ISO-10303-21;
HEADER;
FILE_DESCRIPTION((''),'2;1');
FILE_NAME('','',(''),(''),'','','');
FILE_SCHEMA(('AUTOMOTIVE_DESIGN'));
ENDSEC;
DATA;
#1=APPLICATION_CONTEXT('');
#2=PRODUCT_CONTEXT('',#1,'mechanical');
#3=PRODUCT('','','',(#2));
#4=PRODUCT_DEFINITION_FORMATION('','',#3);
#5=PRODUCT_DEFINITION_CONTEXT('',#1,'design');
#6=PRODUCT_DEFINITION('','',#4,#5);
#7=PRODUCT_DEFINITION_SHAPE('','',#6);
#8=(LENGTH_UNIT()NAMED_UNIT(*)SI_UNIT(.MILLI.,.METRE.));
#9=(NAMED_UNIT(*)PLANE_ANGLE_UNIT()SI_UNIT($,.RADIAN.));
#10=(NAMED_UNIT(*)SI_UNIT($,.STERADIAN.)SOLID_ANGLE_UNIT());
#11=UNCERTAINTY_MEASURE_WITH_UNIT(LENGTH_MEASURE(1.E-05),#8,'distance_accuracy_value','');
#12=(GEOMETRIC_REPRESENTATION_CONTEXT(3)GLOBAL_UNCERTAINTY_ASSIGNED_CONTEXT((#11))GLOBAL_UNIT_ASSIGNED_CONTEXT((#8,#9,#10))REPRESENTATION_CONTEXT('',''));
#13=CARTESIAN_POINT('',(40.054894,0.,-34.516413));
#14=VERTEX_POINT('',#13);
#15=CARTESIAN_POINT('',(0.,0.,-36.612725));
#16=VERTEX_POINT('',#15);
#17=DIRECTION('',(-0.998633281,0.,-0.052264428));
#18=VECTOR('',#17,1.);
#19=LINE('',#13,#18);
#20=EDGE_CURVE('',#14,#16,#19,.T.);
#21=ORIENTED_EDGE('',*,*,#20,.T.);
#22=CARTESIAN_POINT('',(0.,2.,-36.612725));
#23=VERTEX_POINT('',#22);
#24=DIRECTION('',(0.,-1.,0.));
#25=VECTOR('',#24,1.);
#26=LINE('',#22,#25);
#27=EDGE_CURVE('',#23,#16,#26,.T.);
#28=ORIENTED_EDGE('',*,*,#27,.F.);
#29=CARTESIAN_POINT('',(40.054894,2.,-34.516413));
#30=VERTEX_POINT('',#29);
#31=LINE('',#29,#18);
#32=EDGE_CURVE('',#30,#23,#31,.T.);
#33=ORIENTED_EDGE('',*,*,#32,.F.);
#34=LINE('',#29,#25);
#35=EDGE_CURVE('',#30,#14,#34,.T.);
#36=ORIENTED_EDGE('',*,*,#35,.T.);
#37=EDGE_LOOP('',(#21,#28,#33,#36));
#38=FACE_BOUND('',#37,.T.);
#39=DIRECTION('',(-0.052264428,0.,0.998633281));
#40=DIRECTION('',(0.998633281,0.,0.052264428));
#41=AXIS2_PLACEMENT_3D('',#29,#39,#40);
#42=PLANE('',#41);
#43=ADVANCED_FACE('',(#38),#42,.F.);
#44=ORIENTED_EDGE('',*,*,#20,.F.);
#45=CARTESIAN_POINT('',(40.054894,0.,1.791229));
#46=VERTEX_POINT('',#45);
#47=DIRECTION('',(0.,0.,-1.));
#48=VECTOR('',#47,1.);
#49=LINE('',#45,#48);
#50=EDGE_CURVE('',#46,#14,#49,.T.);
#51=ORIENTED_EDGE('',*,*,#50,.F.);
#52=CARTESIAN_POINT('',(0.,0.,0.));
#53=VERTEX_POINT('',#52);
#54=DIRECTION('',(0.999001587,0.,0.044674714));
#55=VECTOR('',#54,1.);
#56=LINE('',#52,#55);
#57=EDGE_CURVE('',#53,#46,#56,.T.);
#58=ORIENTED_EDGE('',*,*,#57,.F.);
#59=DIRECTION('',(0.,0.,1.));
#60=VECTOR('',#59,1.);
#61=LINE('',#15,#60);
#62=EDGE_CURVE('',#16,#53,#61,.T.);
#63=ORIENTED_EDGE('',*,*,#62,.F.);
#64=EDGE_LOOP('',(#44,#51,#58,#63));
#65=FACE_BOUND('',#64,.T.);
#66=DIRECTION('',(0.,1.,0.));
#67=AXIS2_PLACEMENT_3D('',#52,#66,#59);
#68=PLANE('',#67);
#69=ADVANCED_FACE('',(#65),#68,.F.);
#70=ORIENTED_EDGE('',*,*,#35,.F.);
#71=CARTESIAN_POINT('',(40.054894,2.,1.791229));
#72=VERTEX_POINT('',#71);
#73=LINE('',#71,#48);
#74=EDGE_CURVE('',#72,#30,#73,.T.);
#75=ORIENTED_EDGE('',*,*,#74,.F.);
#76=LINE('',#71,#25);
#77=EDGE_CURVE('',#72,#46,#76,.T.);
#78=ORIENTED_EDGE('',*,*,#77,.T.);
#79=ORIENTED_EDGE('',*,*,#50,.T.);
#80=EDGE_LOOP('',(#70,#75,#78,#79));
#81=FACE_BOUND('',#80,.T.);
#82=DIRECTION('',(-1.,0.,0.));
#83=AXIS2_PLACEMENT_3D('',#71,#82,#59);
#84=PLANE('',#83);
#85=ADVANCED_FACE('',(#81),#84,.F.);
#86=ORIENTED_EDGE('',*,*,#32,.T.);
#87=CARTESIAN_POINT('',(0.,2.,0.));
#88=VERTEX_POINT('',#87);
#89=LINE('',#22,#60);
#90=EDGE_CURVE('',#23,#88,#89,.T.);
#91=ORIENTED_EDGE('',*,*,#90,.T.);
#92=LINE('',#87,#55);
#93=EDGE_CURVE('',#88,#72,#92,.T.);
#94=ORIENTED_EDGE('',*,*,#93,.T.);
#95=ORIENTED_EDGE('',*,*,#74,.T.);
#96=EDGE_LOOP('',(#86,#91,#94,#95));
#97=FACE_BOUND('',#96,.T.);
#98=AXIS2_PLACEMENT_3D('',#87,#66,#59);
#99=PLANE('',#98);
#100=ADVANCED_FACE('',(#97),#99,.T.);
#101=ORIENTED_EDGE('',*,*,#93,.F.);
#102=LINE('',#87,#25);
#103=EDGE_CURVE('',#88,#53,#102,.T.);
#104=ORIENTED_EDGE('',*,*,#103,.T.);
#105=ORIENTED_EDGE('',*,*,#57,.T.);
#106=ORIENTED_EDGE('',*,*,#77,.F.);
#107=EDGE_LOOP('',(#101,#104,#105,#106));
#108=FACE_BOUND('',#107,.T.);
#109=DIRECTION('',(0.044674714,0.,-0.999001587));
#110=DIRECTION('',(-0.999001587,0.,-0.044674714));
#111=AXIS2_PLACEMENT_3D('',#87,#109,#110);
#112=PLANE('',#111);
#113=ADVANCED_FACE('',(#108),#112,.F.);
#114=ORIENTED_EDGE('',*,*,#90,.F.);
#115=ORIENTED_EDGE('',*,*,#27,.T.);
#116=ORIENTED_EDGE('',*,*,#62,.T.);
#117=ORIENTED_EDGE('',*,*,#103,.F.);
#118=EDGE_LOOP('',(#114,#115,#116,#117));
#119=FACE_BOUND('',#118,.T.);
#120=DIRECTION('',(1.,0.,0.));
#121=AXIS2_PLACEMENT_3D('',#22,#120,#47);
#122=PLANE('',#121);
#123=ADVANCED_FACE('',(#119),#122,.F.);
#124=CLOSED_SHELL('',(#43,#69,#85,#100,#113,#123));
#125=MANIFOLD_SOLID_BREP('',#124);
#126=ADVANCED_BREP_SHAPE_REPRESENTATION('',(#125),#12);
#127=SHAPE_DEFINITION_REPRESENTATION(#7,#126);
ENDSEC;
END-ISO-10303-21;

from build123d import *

# Parameters (mm, degrees)
BOSS_EXTRU_1_DEPTH = 2


with BuildPart() as part:
    # Esquisse1 → Boss.-Extru.1 (new body)
    with BuildSketch(Plane(origin=(0, 0, 0), x_dir=(1, 0, 0), z_dir=(0, 1, 0))):
        Polygon((40.05489384, -1.791229308), (40.05489384, 34.51641346), (0, 36.612724631), (0, 0), align=None)
    extrude(amount=BOSS_EXTRU_1_DEPTH)


solid = part.part
